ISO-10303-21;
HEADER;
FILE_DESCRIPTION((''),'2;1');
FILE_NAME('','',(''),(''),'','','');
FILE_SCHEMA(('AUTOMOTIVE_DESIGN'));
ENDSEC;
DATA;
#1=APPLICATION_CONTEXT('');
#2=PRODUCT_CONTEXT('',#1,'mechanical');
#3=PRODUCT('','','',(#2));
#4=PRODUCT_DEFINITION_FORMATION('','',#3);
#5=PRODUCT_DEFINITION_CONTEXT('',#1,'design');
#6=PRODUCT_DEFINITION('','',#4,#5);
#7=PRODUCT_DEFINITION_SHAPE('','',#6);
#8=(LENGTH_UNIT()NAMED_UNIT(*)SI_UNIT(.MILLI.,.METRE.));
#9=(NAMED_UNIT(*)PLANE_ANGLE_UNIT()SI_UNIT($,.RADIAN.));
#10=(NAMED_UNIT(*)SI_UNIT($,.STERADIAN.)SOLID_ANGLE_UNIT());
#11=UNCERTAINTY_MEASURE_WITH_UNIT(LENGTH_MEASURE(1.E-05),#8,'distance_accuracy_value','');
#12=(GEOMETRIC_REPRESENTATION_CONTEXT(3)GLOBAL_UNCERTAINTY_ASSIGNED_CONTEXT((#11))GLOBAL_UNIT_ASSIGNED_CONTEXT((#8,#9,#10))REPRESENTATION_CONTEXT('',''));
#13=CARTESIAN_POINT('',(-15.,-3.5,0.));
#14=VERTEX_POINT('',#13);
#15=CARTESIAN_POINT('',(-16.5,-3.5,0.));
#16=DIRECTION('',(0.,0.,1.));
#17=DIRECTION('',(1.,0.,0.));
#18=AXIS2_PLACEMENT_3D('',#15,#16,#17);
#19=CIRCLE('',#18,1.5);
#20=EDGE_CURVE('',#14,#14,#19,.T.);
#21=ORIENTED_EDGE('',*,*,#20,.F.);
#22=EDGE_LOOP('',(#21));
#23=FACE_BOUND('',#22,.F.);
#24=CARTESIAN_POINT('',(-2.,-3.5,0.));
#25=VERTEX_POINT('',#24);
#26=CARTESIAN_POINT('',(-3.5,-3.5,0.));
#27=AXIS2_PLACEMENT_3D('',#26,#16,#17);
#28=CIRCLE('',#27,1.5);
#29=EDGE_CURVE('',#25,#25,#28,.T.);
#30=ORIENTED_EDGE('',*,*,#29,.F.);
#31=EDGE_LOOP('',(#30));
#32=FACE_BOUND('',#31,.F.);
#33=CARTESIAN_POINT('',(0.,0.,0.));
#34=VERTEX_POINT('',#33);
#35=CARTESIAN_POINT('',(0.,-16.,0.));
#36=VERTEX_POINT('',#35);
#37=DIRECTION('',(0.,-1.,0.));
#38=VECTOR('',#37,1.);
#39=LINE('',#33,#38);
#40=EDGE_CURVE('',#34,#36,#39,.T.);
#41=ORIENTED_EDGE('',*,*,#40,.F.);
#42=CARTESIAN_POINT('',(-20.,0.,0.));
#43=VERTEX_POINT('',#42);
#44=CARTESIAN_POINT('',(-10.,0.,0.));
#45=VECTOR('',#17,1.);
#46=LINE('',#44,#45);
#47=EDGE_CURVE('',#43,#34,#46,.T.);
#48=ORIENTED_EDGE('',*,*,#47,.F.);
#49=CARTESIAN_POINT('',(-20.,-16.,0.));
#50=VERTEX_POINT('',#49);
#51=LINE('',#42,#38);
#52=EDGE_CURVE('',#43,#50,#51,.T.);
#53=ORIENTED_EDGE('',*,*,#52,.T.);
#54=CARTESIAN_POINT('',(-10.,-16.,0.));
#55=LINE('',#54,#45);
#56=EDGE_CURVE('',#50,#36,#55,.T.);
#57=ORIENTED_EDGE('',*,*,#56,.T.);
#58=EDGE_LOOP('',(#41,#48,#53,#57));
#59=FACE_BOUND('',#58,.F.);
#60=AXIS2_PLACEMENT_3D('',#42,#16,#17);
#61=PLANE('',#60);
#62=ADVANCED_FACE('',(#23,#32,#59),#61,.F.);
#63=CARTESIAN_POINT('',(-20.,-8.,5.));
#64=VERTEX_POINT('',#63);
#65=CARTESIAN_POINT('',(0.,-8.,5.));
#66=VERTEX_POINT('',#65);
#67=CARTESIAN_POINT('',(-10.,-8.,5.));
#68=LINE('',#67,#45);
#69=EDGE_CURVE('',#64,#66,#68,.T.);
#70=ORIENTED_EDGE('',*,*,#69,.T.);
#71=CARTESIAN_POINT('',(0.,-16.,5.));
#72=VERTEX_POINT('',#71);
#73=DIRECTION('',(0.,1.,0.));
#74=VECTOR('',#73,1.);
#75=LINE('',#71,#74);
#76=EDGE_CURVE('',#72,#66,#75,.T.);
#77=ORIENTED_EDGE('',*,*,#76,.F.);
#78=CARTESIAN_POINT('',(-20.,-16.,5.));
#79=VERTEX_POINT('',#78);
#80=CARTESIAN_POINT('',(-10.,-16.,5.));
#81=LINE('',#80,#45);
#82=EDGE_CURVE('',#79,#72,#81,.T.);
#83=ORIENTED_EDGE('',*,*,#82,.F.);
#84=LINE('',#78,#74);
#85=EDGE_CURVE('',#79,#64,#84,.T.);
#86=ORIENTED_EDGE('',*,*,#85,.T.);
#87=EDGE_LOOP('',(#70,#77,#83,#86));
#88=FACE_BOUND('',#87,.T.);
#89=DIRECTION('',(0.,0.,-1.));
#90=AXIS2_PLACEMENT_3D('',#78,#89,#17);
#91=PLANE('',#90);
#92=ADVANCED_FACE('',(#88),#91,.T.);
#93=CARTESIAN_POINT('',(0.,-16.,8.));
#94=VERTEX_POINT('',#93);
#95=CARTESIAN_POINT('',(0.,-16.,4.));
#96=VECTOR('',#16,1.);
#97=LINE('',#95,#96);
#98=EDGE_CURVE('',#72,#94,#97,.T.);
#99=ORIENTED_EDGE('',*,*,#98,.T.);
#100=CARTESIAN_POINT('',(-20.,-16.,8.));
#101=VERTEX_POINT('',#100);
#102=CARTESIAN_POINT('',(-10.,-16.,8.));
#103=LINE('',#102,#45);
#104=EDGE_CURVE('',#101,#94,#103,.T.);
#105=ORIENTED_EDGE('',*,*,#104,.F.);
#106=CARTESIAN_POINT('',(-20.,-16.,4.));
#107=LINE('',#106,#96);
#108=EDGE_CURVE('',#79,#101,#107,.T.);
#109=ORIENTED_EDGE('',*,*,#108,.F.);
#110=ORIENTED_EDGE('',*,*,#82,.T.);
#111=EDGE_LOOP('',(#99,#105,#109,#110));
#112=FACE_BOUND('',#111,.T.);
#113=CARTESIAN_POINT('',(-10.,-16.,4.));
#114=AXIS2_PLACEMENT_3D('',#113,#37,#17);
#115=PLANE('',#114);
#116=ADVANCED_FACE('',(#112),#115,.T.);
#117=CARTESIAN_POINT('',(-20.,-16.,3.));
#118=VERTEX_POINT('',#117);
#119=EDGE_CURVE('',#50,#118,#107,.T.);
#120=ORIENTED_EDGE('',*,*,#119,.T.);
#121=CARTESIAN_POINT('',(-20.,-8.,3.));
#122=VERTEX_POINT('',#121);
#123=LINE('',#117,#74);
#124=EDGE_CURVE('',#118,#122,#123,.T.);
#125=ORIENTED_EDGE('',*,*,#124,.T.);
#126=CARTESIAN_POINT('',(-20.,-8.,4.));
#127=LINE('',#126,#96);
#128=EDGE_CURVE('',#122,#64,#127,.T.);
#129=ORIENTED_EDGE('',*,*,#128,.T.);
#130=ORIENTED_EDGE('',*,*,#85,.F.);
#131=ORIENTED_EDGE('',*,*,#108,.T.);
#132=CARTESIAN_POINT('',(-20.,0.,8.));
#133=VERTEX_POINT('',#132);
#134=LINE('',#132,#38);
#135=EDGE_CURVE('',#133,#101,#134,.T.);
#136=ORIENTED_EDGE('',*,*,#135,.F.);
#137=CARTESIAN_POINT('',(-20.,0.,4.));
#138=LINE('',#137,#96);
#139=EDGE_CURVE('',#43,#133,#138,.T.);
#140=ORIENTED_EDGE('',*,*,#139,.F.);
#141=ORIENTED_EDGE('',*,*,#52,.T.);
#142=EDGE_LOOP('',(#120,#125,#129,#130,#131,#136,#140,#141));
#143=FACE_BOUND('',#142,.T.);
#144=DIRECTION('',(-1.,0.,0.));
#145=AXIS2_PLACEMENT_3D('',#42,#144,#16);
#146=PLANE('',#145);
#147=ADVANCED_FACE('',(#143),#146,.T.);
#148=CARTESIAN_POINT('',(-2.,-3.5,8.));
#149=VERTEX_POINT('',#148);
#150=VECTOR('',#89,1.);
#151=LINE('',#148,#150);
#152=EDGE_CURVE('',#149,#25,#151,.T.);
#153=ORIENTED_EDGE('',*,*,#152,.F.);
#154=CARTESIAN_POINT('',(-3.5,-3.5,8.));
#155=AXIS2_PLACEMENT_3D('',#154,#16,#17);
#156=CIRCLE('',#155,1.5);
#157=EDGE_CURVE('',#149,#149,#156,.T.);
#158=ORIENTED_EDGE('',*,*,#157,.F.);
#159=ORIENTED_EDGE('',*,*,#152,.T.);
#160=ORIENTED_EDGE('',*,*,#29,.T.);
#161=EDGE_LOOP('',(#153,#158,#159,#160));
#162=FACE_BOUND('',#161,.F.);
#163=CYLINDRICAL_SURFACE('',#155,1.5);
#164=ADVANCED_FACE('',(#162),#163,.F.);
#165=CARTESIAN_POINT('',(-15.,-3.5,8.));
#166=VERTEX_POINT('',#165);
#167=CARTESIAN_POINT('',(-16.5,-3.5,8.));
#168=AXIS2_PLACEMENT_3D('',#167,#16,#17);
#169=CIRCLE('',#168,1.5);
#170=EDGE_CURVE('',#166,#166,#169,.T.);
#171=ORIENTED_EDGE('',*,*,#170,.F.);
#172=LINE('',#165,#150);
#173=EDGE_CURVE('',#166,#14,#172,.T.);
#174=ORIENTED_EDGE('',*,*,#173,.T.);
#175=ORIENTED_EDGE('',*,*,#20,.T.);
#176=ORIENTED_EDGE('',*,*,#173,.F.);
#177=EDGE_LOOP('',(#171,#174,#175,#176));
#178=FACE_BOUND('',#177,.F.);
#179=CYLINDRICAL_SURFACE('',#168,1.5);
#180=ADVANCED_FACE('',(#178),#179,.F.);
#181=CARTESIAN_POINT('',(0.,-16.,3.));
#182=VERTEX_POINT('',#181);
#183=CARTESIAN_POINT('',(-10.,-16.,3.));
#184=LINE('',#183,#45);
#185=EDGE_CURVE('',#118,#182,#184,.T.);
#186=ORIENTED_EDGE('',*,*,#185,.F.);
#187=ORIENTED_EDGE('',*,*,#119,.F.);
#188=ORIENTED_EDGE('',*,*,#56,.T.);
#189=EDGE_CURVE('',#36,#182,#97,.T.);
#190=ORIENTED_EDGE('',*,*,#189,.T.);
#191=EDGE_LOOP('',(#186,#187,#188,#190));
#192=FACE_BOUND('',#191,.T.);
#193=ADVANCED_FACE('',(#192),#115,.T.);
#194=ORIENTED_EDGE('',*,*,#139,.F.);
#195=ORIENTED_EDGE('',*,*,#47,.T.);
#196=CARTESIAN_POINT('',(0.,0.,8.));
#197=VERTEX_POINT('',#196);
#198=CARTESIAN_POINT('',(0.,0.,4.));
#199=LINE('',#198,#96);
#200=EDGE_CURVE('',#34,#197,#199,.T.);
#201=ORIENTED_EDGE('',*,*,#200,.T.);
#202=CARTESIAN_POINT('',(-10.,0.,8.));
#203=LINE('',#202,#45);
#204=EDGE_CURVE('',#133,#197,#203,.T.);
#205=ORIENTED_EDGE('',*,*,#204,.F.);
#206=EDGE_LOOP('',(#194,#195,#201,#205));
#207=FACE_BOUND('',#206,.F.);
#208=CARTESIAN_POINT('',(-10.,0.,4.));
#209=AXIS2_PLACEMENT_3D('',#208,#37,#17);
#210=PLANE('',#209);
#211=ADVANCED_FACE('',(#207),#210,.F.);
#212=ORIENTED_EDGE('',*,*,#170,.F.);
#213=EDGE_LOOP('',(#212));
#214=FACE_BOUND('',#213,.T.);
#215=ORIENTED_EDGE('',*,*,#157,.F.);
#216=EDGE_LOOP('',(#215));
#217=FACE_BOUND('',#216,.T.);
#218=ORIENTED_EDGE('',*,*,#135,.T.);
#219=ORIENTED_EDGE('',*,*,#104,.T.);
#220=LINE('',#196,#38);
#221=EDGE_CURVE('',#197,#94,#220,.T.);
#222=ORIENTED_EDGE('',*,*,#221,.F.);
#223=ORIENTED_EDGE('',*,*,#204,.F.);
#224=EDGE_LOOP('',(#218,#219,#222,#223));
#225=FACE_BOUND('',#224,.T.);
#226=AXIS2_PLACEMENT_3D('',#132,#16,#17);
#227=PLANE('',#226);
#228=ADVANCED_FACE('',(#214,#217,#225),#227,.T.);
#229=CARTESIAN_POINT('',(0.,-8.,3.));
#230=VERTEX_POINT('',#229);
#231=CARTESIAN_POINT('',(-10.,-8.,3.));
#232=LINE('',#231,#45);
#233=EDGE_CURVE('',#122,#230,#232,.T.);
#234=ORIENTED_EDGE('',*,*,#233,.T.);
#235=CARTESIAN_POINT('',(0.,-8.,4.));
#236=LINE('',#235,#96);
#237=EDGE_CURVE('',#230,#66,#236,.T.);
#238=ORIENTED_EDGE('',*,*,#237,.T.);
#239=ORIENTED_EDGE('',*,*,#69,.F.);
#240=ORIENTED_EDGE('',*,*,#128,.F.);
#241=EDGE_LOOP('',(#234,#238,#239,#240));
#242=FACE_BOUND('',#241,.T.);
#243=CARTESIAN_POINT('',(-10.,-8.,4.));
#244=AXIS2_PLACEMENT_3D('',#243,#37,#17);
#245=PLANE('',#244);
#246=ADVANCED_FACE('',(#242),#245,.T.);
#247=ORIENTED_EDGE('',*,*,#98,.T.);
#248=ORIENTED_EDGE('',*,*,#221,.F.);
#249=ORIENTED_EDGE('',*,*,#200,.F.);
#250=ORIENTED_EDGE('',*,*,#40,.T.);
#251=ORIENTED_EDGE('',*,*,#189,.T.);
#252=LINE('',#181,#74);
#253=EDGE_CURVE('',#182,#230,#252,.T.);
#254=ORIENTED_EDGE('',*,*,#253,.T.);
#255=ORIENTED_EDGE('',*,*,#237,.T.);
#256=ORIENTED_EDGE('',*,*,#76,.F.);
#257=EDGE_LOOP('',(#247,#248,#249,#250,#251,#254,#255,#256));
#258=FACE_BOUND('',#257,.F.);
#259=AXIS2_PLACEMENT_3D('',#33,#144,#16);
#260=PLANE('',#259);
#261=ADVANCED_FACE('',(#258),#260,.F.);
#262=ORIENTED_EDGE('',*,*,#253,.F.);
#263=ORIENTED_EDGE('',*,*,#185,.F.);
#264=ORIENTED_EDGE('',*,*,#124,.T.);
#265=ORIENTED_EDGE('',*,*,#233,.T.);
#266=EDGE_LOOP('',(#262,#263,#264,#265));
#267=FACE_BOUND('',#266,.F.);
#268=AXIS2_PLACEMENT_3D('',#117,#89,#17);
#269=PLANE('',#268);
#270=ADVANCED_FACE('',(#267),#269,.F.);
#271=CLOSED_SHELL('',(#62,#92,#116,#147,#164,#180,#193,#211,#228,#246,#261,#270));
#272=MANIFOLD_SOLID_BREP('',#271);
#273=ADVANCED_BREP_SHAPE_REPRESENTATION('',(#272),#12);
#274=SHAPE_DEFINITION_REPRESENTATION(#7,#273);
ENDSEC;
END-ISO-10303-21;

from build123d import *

# Parameters (mm, degrees)
F0_W     = 20
F0_H     = 8
F1_DEPTH = 16
F2_W     = 20
F2_H     = 2
F3_DEPTH = 8
F4_R     = 1.5
F5_DEPTH = 25


with BuildPart() as f1:
    # F0 (on Front) → F1 (new body)
    with BuildSketch(Plane.XZ):
        with Locations((-10, 4)):
            Rectangle(F0_W, F0_H)
    extrude(amount=F1_DEPTH)

    # F2 (on face) → F3 (cut)
    with BuildSketch(Plane.XZ.offset(16)):
        with Locations((-10, 4)):
            Rectangle(F2_W, F2_H)
    extrude(amount=-F3_DEPTH, mode=Mode.SUBTRACT)

    # F4 (on face) → F5 (cut)
    with BuildSketch(Plane.XY.offset(8)):
        with Locations((-16.5, -3.5)):
            Circle(F4_R)
        with Locations((-3.5, -3.5)):
            Circle(F4_R)
    extrude(amount=-F5_DEPTH, mode=Mode.SUBTRACT)


solid = f1.part
